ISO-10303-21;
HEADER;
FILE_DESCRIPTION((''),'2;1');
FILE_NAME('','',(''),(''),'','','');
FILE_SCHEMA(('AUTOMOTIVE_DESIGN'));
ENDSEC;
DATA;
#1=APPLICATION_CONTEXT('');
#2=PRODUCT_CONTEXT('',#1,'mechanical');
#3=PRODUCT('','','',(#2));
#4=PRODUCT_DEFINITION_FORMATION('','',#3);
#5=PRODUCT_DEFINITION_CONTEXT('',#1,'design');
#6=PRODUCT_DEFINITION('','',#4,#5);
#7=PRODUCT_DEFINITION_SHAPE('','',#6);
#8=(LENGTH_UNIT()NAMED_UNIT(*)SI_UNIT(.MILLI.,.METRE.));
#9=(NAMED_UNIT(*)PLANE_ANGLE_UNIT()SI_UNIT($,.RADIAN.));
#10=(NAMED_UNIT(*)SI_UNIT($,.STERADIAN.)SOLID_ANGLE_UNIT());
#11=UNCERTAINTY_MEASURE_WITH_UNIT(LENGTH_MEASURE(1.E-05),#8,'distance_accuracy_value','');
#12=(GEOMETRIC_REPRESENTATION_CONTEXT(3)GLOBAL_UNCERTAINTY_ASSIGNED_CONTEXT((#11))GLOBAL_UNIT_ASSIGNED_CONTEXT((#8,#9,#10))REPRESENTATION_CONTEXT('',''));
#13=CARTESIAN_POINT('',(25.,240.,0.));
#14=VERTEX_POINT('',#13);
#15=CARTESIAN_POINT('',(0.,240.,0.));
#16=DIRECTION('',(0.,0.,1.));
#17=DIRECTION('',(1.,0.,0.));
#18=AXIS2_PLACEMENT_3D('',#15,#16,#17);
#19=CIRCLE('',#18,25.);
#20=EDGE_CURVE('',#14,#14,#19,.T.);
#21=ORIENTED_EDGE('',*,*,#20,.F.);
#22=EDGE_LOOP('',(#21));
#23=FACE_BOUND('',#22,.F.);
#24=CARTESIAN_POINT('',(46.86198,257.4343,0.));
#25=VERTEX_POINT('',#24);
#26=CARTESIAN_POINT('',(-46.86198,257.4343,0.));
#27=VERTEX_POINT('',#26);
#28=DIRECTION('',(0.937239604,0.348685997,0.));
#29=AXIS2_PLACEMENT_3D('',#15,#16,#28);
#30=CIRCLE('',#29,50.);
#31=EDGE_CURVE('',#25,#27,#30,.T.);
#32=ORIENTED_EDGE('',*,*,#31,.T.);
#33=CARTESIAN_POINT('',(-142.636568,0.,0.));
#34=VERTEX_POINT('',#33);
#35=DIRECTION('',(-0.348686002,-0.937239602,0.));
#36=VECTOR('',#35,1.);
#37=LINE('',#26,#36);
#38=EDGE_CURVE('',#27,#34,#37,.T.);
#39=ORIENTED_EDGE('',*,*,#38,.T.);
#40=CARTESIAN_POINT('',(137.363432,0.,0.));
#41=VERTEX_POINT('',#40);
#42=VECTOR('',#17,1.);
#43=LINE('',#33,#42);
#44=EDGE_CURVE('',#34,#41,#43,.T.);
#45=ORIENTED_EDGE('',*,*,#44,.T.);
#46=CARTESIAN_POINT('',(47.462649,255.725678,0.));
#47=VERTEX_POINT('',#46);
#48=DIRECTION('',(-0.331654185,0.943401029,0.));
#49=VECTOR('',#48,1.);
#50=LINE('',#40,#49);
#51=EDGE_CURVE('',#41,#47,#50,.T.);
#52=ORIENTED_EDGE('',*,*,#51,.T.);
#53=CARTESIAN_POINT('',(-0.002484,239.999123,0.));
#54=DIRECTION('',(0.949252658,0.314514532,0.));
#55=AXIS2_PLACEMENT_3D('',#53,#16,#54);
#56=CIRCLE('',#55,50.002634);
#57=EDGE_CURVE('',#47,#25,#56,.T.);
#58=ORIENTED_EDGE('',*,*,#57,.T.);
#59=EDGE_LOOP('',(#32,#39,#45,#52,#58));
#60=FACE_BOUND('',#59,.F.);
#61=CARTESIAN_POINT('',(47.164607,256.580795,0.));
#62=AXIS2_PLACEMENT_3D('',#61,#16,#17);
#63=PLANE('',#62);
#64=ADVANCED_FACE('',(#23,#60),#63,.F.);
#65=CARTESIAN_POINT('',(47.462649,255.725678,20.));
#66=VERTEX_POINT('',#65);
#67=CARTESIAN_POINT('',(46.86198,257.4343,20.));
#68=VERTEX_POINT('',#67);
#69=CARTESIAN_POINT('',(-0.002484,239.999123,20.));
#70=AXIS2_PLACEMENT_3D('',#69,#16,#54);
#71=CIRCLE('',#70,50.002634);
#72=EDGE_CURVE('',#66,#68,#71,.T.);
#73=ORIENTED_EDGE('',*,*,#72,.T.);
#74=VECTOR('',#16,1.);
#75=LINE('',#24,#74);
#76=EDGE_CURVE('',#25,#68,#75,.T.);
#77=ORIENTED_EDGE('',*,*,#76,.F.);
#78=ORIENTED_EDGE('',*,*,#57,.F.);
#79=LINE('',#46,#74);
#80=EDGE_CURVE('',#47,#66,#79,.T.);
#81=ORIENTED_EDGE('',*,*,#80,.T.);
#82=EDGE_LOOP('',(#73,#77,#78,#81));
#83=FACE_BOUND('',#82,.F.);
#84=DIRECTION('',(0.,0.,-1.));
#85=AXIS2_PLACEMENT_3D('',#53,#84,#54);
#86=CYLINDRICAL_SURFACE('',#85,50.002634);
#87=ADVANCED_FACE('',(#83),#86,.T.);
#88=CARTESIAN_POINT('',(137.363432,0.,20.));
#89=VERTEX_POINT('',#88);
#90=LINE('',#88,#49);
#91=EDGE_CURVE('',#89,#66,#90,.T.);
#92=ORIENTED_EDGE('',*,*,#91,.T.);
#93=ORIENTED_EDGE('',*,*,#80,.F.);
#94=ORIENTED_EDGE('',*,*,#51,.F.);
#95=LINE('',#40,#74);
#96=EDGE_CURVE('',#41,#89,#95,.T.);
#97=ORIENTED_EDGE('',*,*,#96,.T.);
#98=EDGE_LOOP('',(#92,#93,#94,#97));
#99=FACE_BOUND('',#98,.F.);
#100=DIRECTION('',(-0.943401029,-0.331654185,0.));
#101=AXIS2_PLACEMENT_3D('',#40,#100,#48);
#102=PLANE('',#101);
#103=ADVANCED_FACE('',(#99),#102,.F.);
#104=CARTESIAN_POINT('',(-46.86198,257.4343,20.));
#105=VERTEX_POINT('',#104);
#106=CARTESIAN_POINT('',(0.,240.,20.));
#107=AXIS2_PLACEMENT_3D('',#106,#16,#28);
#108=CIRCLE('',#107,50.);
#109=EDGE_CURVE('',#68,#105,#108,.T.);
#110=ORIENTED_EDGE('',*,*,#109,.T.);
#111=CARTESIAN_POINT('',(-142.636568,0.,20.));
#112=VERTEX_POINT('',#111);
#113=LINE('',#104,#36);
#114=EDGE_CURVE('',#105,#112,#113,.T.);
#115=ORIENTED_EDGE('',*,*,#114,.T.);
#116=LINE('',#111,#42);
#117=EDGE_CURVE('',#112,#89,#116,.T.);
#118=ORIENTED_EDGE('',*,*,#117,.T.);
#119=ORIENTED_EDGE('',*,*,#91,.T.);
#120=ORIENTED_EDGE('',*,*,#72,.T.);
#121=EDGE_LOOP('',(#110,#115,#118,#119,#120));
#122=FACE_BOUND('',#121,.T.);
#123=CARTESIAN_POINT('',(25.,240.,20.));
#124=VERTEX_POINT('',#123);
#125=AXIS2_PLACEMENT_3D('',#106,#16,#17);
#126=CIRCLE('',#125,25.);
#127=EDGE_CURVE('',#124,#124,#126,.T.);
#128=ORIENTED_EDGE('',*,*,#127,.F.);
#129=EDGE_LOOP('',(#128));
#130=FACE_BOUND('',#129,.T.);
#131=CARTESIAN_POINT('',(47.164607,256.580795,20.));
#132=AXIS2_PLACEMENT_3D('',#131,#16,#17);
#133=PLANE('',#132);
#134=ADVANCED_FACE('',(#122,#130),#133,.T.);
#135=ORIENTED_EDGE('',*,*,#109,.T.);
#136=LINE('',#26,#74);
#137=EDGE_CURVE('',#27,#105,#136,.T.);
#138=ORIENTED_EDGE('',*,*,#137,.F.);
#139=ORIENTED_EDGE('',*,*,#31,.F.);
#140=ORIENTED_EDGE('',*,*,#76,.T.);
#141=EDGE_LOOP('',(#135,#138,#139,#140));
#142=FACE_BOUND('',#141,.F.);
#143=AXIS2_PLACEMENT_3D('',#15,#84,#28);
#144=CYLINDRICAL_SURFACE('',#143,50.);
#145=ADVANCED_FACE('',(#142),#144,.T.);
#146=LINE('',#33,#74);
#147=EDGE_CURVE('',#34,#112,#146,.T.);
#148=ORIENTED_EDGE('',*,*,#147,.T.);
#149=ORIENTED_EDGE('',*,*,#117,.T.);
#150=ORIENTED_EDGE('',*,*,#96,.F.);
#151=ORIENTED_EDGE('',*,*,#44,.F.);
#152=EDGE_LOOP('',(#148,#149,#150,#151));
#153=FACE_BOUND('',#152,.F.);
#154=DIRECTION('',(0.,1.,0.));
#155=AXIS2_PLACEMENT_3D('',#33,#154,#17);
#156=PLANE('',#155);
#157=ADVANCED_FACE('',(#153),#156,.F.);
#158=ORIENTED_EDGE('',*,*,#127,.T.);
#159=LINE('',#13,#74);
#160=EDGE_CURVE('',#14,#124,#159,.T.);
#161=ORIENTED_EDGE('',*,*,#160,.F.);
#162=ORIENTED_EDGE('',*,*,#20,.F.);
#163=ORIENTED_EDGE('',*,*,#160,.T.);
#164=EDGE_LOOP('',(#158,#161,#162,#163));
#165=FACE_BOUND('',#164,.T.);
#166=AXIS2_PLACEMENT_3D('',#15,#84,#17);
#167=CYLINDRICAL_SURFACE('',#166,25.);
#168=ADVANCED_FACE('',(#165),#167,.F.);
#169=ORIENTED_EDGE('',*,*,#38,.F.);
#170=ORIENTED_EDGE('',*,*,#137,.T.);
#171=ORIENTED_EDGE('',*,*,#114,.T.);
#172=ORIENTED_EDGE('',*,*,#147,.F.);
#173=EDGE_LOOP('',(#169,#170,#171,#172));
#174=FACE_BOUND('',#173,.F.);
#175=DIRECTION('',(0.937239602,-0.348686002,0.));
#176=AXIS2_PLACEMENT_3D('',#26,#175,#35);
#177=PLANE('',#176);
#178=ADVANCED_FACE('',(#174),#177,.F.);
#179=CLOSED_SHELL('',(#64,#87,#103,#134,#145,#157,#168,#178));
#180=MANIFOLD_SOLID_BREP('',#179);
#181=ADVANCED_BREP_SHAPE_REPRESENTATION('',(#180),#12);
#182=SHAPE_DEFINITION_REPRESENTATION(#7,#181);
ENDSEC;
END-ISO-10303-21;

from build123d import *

# Parameters (mm, degrees)
F0_R     = 25
F1_DEPTH = 20


with BuildPart() as f1:
    # F0 (on Top) → F1 (new body)
    with BuildSketch(Plane.XY):
        with BuildLine():
            Line((46.86198, 257.4343), (47.462649, 255.725678))
            ThreePointArc((47.462649, 255.725678), (47.170051, 256.582709), (46.86198, 257.4343))
        make_face()
        with BuildLine():
            Line((137.363432, 0), (47.462649, 255.725678))
            Line((47.462649, 255.725678), (46.86198, 257.4343))
            ThreePointArc((46.86198, 257.4343), (0, 290), (-46.86198, 257.4343))
            Line((-46.86198, 257.4343), (-142.636568, 0))
            Line((-142.636568, 0), (137.363432, 0))
        make_face()
        with Locations((0, 240)):
            Circle(F0_R, mode=Mode.SUBTRACT)
    extrude(amount=F1_DEPTH)


solid = f1.part
